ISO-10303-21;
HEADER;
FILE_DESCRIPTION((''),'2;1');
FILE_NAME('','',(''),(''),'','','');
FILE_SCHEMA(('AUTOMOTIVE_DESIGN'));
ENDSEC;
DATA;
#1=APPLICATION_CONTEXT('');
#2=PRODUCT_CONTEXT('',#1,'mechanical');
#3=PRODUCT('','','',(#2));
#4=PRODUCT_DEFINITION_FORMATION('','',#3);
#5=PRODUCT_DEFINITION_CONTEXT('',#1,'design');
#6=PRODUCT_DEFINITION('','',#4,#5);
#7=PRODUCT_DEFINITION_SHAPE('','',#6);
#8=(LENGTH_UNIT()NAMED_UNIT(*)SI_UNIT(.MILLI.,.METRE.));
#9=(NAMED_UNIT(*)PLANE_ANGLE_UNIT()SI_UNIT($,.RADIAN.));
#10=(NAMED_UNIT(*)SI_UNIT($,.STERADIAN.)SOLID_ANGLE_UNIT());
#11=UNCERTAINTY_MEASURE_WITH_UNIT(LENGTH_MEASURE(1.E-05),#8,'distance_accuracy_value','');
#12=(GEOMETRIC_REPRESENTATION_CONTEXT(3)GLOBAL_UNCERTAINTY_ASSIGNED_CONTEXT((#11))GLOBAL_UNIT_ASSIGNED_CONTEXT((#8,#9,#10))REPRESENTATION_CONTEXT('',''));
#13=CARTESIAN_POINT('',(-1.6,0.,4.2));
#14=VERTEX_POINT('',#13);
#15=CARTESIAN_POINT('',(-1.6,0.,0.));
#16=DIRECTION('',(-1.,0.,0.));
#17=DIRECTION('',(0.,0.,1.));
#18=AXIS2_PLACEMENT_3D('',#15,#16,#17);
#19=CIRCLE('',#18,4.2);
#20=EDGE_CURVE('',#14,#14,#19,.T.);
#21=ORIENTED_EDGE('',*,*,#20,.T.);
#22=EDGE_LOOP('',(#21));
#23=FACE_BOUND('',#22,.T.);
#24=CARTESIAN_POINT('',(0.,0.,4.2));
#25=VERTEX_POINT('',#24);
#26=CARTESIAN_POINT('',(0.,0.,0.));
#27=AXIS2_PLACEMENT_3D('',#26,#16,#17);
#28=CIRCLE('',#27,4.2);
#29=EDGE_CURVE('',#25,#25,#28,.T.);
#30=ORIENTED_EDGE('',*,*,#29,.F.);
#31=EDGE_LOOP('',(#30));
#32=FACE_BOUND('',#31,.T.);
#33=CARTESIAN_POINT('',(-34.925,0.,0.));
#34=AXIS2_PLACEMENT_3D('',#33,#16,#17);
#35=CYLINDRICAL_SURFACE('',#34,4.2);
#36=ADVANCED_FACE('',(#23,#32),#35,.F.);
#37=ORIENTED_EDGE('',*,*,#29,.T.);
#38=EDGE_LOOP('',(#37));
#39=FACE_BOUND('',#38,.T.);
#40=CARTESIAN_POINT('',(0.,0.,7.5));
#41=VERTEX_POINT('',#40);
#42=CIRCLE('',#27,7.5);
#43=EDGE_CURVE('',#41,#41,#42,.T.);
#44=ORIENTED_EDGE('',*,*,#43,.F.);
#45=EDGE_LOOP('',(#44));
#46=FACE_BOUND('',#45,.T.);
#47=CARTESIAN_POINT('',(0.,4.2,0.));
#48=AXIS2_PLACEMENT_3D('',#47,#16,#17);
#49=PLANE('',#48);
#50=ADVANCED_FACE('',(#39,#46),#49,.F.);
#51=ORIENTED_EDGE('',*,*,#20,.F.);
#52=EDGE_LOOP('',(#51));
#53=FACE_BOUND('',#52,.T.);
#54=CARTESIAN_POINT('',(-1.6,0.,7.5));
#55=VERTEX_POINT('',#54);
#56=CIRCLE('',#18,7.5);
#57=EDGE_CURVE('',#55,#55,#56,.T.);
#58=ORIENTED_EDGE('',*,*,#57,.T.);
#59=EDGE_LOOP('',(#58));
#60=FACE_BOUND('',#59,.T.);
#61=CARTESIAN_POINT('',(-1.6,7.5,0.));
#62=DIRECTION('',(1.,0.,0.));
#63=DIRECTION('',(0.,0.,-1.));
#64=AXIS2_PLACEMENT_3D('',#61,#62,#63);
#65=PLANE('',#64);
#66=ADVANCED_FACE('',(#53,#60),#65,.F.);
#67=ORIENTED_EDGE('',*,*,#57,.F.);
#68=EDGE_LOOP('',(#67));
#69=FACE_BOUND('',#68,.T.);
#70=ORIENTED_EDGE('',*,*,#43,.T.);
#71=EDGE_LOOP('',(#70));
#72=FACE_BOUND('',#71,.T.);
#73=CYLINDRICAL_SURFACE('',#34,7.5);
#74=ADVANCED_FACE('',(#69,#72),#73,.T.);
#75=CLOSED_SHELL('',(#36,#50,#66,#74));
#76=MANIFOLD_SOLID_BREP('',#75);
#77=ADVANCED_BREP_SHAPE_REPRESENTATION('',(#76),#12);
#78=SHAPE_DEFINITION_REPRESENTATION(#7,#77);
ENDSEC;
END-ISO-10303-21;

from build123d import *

# Parameters (mm, degrees)
SKETCH1_W = 1.6
SKETCH1_H = 3.3


with BuildPart() as part:
    # Sketch1 → Base-Revolve (revolve)
    with BuildSketch(Plane.XY):
        with Locations((-0.8, 5.85)):
            Rectangle(SKETCH1_W, SKETCH1_H)
    revolve(axis=Axis((-34.925, 0, 0), (1, 0, 0)))


solid = part.part
